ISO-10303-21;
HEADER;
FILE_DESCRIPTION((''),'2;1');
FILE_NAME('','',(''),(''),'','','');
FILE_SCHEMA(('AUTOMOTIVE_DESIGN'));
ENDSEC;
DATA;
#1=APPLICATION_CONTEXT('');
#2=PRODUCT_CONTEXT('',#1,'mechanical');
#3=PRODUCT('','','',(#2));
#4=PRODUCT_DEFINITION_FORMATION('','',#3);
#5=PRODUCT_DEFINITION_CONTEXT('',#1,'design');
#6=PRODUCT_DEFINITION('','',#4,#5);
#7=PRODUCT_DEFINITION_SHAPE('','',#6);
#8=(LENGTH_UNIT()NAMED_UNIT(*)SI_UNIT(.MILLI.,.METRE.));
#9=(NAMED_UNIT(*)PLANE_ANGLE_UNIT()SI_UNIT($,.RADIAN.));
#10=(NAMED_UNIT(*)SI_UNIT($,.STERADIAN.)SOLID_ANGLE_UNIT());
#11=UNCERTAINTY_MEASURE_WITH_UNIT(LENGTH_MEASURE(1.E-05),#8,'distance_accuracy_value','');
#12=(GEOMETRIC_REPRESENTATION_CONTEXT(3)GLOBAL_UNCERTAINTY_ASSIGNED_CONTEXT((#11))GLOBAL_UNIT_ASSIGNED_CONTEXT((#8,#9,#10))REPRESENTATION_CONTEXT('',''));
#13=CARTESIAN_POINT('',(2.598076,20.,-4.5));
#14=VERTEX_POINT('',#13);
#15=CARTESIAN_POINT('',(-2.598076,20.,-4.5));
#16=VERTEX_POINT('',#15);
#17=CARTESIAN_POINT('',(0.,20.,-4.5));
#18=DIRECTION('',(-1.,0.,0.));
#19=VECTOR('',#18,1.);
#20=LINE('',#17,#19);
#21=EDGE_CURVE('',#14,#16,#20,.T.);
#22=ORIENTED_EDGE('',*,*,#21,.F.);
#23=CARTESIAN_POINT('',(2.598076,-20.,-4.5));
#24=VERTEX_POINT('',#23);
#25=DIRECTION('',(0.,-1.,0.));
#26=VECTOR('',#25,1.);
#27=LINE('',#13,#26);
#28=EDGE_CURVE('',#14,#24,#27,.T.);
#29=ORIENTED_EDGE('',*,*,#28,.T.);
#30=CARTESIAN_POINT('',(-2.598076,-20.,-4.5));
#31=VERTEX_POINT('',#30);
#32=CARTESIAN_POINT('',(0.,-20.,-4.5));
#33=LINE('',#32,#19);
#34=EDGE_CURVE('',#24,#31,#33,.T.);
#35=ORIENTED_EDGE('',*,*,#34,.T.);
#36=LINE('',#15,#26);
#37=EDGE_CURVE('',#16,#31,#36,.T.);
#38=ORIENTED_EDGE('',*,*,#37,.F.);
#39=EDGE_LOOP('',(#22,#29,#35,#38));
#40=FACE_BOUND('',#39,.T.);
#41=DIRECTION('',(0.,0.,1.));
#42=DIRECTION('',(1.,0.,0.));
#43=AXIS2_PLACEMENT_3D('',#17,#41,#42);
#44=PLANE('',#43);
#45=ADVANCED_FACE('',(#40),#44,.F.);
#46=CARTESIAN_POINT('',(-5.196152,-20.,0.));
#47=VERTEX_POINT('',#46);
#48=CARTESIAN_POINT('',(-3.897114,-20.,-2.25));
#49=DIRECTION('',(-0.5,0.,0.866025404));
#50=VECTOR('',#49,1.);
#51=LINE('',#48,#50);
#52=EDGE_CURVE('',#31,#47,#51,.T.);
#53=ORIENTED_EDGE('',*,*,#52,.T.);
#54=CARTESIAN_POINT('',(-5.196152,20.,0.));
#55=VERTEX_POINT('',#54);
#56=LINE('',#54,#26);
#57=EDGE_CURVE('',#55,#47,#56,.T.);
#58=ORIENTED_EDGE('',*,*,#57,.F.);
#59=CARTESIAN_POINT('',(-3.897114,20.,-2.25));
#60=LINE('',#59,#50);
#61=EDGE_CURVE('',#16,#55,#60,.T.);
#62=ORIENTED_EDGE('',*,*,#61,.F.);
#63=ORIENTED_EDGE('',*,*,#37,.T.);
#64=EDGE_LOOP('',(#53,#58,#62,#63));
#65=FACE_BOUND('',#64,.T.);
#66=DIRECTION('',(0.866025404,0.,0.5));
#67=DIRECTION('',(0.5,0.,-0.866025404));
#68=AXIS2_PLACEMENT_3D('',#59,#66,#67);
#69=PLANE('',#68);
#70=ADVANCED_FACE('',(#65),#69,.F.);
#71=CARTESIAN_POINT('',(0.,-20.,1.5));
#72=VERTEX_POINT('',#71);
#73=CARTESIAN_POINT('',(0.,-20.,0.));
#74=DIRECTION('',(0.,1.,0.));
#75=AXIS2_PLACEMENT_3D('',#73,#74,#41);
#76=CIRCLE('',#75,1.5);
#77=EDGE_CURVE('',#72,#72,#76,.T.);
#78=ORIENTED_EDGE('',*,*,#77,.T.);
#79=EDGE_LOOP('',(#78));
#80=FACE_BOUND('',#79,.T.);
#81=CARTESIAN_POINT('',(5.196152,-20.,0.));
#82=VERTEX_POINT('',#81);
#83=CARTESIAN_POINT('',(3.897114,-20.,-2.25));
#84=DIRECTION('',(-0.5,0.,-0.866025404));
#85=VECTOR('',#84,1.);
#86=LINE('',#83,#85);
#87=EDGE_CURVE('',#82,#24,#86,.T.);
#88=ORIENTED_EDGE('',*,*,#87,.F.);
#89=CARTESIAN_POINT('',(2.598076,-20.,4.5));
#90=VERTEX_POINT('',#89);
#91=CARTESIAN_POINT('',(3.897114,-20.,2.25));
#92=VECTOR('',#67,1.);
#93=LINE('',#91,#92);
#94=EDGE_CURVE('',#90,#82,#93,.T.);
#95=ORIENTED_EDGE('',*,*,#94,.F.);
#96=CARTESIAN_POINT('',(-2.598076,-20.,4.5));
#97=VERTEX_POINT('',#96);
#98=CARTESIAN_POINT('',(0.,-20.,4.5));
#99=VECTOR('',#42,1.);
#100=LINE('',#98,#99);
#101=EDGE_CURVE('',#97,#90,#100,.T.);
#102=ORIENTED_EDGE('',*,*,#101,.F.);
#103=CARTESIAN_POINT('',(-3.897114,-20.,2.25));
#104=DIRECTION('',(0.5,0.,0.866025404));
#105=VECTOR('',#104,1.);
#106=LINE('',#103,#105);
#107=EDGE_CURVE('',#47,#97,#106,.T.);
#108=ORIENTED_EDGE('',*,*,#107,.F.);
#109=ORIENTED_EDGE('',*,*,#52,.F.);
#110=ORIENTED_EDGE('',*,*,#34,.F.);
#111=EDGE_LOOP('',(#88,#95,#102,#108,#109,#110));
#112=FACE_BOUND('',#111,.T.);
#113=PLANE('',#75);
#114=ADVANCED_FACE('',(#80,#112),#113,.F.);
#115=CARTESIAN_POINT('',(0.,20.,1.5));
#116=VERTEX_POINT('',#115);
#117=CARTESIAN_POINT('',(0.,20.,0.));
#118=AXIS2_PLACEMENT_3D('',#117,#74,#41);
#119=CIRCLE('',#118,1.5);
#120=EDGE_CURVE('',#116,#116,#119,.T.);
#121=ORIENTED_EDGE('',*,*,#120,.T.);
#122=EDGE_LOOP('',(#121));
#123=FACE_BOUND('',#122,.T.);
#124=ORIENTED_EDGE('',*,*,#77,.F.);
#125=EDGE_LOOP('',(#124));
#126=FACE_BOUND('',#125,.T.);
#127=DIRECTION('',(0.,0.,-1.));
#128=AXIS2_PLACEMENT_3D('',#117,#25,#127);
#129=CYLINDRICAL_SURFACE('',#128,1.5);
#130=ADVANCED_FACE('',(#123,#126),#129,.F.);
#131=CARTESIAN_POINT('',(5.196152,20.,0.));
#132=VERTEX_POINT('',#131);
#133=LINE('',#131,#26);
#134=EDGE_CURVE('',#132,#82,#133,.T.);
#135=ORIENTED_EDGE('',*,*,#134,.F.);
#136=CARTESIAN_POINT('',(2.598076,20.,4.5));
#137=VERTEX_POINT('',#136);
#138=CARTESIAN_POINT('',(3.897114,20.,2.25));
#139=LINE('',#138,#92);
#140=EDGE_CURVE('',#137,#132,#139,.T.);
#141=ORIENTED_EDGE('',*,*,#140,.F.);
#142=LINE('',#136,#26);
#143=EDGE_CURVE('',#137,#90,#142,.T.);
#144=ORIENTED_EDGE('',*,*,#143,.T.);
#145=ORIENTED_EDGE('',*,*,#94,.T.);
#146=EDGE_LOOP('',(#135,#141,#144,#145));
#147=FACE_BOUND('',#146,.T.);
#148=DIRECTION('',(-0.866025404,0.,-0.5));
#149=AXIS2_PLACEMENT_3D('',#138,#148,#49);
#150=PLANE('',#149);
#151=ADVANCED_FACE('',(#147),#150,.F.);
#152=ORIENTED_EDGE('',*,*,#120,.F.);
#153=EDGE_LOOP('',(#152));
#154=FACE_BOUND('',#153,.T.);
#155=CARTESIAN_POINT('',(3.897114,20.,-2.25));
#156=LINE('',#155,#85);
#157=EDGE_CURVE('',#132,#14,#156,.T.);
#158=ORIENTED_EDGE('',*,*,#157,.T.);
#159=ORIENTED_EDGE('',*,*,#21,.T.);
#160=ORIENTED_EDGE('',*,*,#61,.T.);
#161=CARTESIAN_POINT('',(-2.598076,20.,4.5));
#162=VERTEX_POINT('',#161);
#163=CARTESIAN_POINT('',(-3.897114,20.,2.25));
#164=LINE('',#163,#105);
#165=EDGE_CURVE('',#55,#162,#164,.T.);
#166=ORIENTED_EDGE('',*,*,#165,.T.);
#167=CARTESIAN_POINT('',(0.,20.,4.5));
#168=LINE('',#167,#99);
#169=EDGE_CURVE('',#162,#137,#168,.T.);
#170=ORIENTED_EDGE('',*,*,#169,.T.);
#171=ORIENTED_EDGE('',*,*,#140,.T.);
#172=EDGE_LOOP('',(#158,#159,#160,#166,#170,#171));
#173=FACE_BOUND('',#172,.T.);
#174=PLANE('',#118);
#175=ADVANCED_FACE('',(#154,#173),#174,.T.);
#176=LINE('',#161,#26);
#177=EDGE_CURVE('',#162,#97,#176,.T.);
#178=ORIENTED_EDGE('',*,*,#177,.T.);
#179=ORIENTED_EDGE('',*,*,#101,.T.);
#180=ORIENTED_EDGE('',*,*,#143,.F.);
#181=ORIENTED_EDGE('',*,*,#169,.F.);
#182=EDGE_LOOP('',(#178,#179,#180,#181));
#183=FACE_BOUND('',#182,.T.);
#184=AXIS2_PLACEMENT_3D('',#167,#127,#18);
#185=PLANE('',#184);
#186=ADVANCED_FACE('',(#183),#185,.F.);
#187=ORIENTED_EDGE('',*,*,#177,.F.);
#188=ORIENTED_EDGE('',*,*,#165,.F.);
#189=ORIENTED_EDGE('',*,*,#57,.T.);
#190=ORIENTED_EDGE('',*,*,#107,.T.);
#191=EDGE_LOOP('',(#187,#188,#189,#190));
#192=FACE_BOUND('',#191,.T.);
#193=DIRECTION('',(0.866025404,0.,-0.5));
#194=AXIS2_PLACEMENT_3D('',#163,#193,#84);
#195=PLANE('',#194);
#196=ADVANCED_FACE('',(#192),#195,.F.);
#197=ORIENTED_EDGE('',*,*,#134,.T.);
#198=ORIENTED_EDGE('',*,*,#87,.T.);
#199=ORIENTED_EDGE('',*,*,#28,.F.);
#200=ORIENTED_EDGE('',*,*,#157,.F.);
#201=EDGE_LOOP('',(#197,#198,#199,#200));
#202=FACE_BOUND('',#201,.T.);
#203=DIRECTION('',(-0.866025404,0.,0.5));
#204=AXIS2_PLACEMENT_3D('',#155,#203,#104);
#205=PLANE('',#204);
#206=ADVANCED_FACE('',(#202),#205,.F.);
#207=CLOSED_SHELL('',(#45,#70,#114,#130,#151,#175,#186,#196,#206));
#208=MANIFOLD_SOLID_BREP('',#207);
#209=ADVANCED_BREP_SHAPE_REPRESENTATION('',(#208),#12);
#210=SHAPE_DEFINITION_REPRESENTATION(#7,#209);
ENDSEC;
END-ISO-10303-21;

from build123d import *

# Parameters (mm, degrees)
CROQUIS1_R              = 1.5
SALIENTE_EXTRUIR1_DEPTH = 20


with BuildPart() as part:
    # Croquis1 → Saliente-Extruir1 (new, symmetric)
    with BuildSketch(Plane(origin=(0, 0, 0), x_dir=(1, 0, 0), z_dir=(0, 1, 0))):
        Polygon((-2.598076211, -4.5), (2.598076211, -4.5), (5.196152423, 0), (2.598076211, 4.5), (-2.598076211, 4.5), (-5.196152423, 0), align=None)
        with Locations(Location((0, 0, 0), (0, 0, 270))):
            Circle(CROQUIS1_R, mode=Mode.SUBTRACT)
    extrude(amount=SALIENTE_EXTRUIR1_DEPTH, both=True)


solid = part.part
